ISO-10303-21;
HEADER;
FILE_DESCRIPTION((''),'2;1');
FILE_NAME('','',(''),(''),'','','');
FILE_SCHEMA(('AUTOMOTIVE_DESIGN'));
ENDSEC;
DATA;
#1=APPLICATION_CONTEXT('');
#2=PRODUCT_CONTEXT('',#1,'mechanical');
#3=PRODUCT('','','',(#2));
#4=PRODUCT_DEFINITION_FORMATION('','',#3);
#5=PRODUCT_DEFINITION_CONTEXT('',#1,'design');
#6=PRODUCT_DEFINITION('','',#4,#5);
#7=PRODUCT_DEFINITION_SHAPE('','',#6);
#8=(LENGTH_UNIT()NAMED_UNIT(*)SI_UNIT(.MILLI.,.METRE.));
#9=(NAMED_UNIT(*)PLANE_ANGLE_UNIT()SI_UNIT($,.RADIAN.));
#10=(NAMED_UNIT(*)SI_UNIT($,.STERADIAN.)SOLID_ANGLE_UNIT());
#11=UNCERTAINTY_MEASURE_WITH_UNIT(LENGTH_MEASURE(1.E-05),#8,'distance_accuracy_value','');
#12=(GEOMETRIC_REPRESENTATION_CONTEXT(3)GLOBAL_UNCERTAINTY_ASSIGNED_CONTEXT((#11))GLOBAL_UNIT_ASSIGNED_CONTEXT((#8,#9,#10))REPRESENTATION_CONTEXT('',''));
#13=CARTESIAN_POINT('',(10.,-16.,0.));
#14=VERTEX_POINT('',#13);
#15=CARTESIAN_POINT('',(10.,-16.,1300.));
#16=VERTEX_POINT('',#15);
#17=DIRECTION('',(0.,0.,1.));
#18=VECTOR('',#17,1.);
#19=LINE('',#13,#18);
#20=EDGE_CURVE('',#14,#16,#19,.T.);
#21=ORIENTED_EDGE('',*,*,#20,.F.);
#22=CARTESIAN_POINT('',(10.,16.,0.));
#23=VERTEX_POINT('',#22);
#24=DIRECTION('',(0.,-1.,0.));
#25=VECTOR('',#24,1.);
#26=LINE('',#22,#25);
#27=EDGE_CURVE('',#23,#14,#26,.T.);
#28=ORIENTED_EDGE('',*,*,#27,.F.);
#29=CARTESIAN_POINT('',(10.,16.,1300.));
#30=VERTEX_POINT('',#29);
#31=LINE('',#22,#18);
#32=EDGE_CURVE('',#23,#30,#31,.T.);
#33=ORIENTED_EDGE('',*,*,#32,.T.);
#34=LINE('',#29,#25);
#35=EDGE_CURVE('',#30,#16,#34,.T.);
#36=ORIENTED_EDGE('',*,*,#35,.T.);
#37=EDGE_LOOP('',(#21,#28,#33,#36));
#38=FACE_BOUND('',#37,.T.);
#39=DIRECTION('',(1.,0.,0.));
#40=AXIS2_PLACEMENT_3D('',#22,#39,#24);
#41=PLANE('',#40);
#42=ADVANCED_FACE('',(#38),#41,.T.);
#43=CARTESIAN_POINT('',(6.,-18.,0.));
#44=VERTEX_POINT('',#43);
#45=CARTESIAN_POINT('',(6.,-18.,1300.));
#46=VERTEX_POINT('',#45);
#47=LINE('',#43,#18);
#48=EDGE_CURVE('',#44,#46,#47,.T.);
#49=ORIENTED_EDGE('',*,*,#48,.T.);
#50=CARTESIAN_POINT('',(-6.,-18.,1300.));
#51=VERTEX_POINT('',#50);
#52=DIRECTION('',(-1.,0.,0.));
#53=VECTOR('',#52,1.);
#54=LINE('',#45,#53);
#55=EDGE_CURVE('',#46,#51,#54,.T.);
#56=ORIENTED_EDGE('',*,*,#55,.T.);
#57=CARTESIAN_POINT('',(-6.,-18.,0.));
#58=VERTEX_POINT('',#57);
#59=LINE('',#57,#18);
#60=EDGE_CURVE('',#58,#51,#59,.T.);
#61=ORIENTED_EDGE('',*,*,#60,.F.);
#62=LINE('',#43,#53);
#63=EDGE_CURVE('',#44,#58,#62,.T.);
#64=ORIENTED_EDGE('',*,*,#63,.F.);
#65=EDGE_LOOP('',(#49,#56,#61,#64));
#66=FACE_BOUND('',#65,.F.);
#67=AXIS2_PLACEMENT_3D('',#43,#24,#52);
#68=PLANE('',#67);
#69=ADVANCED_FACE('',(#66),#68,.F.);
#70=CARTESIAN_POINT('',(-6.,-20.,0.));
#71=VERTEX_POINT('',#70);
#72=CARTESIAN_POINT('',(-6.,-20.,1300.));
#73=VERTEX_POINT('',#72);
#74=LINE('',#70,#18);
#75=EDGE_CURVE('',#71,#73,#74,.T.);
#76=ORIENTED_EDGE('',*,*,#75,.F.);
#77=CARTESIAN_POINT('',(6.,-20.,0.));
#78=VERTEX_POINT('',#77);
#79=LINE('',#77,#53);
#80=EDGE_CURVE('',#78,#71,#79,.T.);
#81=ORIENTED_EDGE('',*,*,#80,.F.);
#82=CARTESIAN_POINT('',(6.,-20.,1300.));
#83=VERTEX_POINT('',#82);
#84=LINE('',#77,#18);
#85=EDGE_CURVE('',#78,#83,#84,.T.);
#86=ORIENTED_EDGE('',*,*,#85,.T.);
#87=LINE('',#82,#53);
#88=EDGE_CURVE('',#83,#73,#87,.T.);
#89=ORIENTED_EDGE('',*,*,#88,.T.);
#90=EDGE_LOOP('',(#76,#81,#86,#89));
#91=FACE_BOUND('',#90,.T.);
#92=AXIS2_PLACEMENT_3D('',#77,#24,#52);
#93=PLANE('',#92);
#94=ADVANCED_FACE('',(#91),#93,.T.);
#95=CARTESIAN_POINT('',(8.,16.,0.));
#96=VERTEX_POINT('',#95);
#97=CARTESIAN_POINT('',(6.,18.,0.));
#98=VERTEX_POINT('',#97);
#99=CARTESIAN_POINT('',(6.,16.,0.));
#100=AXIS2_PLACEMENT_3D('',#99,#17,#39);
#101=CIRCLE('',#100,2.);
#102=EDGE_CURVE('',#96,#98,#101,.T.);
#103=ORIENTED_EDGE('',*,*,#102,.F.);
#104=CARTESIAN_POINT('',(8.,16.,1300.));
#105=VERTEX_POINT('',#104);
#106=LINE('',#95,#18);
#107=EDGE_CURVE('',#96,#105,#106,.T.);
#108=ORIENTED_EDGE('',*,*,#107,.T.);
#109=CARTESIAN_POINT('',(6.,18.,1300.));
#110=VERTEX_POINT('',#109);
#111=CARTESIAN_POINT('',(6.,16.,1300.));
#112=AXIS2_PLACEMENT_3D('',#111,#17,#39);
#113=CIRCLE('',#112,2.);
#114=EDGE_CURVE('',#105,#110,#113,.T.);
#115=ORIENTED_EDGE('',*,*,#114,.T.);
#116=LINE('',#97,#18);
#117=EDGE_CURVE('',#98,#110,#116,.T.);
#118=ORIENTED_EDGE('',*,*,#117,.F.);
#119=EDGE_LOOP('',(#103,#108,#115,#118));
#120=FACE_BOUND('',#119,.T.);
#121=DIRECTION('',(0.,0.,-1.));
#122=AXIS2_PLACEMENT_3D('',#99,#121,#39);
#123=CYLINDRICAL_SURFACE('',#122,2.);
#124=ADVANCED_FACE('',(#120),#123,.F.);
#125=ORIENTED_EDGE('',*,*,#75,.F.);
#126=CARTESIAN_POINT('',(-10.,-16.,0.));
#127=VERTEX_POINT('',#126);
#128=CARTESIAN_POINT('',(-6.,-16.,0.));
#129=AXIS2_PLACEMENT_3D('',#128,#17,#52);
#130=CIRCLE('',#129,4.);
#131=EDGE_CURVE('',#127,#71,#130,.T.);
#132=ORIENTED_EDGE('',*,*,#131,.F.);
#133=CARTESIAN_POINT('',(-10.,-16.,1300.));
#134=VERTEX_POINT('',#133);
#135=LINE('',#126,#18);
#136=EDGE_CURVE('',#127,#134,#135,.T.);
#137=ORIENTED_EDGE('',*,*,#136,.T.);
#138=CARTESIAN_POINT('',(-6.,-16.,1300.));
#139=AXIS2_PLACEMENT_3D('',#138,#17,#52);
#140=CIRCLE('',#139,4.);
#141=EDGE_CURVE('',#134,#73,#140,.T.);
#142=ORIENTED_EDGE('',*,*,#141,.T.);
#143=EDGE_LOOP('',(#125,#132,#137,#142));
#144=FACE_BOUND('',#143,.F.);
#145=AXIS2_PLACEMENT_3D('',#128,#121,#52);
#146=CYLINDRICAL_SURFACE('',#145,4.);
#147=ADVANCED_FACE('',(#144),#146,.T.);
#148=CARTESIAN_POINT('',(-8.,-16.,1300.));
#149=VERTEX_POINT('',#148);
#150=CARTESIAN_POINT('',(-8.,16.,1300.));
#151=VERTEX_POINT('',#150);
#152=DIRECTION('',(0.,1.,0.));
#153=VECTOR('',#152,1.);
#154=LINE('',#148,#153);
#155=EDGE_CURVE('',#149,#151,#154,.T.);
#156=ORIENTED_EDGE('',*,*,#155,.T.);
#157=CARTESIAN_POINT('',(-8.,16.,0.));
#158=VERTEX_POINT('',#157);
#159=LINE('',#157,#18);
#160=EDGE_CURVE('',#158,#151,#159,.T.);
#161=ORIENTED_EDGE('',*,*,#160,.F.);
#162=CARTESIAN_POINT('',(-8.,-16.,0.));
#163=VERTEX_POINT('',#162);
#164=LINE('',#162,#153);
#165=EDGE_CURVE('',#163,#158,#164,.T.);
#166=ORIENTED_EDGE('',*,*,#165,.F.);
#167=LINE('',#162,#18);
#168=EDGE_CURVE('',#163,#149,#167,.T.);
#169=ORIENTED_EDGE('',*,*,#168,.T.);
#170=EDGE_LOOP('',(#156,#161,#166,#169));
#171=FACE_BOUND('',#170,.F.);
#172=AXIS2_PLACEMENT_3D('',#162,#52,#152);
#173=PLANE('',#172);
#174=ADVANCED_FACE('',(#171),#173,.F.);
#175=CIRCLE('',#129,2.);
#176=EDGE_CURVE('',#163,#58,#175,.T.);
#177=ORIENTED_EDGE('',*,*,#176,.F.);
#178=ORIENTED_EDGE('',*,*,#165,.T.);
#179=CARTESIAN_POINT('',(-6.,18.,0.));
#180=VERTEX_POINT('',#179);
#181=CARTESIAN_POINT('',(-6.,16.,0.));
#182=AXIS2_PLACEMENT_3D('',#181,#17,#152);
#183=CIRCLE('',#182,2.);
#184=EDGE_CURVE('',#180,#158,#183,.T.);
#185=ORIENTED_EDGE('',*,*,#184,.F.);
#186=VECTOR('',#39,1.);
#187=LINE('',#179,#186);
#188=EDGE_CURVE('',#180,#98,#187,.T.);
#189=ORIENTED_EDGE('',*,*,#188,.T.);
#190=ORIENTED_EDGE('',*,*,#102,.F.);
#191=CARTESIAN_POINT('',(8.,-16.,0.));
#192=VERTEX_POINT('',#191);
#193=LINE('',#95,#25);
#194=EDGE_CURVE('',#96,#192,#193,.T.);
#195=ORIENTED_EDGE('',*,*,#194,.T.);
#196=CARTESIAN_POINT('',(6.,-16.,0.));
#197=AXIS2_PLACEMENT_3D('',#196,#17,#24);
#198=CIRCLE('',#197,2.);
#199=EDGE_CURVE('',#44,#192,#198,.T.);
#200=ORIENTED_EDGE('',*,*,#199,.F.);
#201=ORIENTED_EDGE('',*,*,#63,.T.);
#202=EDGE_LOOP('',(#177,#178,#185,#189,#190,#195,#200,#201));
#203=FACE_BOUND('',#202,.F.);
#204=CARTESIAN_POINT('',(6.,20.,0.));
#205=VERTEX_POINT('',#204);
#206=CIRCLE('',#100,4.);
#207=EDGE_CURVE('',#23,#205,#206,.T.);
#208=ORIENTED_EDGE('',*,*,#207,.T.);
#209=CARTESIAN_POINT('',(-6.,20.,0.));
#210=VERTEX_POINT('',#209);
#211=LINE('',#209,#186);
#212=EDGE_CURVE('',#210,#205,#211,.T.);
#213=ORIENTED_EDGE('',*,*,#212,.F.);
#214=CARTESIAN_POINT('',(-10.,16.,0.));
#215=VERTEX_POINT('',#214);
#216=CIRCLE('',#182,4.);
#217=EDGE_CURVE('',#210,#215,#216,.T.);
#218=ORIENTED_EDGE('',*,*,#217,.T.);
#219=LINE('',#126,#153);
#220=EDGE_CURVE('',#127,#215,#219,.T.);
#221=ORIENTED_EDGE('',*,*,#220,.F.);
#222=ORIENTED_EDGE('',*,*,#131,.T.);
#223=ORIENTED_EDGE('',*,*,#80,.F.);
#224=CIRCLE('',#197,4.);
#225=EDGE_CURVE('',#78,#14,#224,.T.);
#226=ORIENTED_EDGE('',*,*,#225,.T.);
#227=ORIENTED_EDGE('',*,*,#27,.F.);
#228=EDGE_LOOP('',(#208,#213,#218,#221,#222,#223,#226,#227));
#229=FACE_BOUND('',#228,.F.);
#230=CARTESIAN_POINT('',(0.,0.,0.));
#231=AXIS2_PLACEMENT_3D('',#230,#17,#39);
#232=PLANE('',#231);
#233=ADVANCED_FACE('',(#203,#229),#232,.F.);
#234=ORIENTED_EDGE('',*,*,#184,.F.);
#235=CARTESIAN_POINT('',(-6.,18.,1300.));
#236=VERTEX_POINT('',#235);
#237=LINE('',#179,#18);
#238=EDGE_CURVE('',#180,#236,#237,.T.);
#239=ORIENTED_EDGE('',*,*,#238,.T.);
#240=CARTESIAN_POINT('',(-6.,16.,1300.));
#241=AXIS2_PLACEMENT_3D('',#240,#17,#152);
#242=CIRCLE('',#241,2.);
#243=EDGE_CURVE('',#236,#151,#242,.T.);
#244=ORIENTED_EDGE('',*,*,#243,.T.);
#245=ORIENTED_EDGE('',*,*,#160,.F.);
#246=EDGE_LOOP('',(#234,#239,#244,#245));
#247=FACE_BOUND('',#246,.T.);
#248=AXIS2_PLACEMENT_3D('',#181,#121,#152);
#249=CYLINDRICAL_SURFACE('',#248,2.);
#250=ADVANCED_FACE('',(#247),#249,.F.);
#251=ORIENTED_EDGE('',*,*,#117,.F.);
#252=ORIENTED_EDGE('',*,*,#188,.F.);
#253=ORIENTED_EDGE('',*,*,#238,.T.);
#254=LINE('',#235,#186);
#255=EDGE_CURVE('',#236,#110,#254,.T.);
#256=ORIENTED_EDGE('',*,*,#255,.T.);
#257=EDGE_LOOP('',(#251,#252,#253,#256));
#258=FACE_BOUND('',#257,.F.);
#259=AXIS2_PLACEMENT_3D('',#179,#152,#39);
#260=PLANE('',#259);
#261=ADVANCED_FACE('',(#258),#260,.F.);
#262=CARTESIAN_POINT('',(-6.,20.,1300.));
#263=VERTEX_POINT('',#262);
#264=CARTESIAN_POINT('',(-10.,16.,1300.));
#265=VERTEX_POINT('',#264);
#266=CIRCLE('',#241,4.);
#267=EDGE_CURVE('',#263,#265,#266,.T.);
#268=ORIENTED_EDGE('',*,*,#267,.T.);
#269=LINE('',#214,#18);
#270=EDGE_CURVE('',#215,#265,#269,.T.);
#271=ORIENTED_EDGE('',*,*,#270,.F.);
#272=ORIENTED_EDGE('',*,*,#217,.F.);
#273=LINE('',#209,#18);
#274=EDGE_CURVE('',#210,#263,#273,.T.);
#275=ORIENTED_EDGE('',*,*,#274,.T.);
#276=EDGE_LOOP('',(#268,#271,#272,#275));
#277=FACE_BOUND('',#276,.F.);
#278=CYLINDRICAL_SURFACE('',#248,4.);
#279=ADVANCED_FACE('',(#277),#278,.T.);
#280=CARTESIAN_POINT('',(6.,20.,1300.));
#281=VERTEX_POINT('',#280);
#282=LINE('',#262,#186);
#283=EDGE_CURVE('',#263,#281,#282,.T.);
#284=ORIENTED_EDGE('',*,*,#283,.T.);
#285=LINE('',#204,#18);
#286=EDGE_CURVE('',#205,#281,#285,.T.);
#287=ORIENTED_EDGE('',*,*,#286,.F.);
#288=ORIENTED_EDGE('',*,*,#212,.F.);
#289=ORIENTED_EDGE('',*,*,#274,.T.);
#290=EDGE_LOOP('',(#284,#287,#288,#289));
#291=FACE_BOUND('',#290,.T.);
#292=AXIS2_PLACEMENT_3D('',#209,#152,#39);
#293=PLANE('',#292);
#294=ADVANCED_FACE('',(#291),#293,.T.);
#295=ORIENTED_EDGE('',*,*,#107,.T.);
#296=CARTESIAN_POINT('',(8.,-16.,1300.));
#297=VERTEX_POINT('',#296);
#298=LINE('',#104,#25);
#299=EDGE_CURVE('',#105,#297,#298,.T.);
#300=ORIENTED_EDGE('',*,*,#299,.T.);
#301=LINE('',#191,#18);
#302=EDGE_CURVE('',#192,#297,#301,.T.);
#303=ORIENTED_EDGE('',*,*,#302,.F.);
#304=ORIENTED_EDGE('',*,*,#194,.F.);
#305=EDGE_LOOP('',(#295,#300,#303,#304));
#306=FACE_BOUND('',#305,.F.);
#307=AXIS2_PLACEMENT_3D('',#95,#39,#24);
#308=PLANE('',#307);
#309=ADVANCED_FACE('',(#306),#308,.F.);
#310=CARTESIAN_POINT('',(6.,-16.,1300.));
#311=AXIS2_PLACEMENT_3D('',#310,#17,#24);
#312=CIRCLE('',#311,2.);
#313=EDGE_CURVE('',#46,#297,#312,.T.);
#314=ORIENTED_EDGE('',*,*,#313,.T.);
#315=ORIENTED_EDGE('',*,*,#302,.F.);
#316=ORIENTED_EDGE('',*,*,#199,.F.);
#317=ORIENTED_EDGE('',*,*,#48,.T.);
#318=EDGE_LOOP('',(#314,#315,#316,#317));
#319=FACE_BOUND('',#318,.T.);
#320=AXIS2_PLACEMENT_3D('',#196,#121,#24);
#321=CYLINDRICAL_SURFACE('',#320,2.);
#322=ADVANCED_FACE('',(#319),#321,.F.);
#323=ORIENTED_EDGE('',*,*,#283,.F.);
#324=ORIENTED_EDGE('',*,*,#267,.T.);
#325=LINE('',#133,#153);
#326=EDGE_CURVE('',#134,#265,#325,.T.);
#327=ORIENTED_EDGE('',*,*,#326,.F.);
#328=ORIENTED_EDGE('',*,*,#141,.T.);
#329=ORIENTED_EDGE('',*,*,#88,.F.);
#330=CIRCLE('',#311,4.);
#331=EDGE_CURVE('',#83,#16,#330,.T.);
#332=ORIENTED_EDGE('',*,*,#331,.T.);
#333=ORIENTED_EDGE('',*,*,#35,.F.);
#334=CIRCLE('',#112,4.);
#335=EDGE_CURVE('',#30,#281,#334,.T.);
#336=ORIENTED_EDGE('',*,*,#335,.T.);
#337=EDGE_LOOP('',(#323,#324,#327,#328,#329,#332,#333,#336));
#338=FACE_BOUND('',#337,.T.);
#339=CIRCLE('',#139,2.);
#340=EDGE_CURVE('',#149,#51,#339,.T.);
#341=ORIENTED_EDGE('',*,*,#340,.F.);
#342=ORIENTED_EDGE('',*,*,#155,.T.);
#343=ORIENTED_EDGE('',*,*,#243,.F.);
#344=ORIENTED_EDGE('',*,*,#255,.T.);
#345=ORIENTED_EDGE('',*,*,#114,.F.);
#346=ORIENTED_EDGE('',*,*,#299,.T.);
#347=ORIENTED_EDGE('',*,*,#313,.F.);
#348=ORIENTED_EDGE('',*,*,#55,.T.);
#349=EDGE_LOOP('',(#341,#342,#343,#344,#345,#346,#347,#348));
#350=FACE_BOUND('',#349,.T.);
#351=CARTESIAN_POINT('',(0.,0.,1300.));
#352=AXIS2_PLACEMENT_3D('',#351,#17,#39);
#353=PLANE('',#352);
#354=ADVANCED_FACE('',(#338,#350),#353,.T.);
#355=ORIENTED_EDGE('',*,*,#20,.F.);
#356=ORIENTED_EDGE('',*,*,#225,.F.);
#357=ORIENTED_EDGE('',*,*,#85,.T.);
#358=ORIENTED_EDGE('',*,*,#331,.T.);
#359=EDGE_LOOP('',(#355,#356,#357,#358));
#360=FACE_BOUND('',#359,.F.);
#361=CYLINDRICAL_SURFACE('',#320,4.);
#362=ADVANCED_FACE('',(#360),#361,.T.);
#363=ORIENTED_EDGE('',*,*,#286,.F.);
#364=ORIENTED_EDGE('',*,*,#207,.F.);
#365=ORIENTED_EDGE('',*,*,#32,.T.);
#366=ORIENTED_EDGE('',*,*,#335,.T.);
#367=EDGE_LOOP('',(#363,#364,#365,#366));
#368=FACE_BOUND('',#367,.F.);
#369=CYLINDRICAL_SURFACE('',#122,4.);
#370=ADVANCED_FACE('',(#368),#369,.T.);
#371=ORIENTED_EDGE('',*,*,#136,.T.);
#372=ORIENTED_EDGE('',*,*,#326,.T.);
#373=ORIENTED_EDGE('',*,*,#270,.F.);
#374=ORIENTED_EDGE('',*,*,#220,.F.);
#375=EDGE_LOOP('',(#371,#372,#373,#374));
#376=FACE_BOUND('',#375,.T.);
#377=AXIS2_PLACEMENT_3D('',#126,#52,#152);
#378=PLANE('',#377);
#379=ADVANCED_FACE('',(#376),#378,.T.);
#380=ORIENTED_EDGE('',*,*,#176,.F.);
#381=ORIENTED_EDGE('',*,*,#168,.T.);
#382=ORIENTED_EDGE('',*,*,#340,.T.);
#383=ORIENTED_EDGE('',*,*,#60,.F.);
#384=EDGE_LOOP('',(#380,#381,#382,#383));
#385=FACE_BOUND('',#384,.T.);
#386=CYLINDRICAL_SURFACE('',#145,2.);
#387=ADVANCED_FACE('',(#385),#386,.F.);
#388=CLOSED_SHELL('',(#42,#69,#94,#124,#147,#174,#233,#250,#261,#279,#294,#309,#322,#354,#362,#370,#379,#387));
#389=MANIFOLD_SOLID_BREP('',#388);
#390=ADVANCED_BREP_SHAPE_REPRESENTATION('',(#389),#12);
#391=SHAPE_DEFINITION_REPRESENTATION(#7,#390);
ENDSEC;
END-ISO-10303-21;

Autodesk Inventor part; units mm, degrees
ref_plane "YZ Plane" through (0, 0, 0) normal (1, 0, 0) x (0, 1, 0)
ref_plane "Start Plane" through (0, 0, 0) normal (0, 0, 1) x (1, 0, 0)
ref_plane "End Plane" through (0, 0, 1300) normal (0, 0, 1) x (1, 0, 0)
sketch "Sketch" plane through (0, 0, 0) normal (0, 0, 1) x (1, 0, 0)
  line L0 (-10, -16) -> (-10, 16)
  line L1 (-6, 20) -> (6, 20)
  line L2 (10, 16) -> (10, -16)
  line L3 (6, -20) -> (-6, -20)
  arc A0 (-10, -16) -> (-6, -20) centre (-6, -16) ccw
  arc A1 (10, 16) -> (6, 20) centre (6, 16) ccw
  arc A2 (-6, 20) -> (-10, 16) centre (-6, 16) ccw
  arc A3 (6, -20) -> (10, -16) centre (6, -16) ccw
  arc A4 (-6, 18) -> (-8, 16) centre (-6, 16) ccw
  line L4 (-6, 18) -> (6, 18)
  arc A5 (8, 16) -> (6, 18) centre (6, 16) ccw
  line L5 (8, 16) -> (8, -16)
  arc A6 (6, -18) -> (8, -16) centre (6, -16) ccw
  line L6 (6, -18) -> (-6, -18)
  arc A7 (-8, -16) -> (-6, -18) centre (-6, -16) ccw
  line L7 (-8, -16) -> (-8, 16)
  line L8 (0, 29.1598) -> (0, -29.1598) construction
  line L9 (-15.1598, 0) -> (15.1598, 0) construction
  dimension "d7" = 4
  dimension "d9" = 20
  dimension "d11" = 40
  dimension "d12" = 2
  dimension "d15" = 10
  dimension "d16" = 20
extrude "Body" add sketch "Sketch" along normal up to surface (1300 mm away) from surface at 0
sketch "Sketch3" plane through (0, 0, 0) normal (0, 0, 1) x (1, 0, 0)
  line L0 (0, 0) -> (10, 0)
ref_plane "Work Plane3" through (0, 0, 0) normal (0, -1, 0) x (1, 0, 0)
sketch "Sketch4" plane through (0, 0, 0) normal (0, -1, 0) x (1, 0, 0)
  line L0 (-2, 0) -> (12, 0) projected
  line L1 (-2, 1300) -> (12, 1300) projected
  dimension "d18" = 1300
equation "\"d7\" = G_IR"
equation "\"d9\" = G_W"
equation "\"d11\" = G_H"
equation "\"d12\" = G_T"
equation "\"d15\" = 0.5 * d9"
equation "\"d16\" = 0.5 * d11"
equation "\"d3\" = G_L"
equation "\"G_W\" = 20"
equation "\"G_H\" = 40"
equation "\"G_T\" = 2"
equation "\"G_IR\" = 4"
equation "\"G_L\" = d18"
equation "\"G_OFFSET_START\" = 0"
equation "\"G_OFFSET_END\" = 0"
properties part number "ISO 4019 - 40x20x2 - 1300" material "Steel, Mild"
